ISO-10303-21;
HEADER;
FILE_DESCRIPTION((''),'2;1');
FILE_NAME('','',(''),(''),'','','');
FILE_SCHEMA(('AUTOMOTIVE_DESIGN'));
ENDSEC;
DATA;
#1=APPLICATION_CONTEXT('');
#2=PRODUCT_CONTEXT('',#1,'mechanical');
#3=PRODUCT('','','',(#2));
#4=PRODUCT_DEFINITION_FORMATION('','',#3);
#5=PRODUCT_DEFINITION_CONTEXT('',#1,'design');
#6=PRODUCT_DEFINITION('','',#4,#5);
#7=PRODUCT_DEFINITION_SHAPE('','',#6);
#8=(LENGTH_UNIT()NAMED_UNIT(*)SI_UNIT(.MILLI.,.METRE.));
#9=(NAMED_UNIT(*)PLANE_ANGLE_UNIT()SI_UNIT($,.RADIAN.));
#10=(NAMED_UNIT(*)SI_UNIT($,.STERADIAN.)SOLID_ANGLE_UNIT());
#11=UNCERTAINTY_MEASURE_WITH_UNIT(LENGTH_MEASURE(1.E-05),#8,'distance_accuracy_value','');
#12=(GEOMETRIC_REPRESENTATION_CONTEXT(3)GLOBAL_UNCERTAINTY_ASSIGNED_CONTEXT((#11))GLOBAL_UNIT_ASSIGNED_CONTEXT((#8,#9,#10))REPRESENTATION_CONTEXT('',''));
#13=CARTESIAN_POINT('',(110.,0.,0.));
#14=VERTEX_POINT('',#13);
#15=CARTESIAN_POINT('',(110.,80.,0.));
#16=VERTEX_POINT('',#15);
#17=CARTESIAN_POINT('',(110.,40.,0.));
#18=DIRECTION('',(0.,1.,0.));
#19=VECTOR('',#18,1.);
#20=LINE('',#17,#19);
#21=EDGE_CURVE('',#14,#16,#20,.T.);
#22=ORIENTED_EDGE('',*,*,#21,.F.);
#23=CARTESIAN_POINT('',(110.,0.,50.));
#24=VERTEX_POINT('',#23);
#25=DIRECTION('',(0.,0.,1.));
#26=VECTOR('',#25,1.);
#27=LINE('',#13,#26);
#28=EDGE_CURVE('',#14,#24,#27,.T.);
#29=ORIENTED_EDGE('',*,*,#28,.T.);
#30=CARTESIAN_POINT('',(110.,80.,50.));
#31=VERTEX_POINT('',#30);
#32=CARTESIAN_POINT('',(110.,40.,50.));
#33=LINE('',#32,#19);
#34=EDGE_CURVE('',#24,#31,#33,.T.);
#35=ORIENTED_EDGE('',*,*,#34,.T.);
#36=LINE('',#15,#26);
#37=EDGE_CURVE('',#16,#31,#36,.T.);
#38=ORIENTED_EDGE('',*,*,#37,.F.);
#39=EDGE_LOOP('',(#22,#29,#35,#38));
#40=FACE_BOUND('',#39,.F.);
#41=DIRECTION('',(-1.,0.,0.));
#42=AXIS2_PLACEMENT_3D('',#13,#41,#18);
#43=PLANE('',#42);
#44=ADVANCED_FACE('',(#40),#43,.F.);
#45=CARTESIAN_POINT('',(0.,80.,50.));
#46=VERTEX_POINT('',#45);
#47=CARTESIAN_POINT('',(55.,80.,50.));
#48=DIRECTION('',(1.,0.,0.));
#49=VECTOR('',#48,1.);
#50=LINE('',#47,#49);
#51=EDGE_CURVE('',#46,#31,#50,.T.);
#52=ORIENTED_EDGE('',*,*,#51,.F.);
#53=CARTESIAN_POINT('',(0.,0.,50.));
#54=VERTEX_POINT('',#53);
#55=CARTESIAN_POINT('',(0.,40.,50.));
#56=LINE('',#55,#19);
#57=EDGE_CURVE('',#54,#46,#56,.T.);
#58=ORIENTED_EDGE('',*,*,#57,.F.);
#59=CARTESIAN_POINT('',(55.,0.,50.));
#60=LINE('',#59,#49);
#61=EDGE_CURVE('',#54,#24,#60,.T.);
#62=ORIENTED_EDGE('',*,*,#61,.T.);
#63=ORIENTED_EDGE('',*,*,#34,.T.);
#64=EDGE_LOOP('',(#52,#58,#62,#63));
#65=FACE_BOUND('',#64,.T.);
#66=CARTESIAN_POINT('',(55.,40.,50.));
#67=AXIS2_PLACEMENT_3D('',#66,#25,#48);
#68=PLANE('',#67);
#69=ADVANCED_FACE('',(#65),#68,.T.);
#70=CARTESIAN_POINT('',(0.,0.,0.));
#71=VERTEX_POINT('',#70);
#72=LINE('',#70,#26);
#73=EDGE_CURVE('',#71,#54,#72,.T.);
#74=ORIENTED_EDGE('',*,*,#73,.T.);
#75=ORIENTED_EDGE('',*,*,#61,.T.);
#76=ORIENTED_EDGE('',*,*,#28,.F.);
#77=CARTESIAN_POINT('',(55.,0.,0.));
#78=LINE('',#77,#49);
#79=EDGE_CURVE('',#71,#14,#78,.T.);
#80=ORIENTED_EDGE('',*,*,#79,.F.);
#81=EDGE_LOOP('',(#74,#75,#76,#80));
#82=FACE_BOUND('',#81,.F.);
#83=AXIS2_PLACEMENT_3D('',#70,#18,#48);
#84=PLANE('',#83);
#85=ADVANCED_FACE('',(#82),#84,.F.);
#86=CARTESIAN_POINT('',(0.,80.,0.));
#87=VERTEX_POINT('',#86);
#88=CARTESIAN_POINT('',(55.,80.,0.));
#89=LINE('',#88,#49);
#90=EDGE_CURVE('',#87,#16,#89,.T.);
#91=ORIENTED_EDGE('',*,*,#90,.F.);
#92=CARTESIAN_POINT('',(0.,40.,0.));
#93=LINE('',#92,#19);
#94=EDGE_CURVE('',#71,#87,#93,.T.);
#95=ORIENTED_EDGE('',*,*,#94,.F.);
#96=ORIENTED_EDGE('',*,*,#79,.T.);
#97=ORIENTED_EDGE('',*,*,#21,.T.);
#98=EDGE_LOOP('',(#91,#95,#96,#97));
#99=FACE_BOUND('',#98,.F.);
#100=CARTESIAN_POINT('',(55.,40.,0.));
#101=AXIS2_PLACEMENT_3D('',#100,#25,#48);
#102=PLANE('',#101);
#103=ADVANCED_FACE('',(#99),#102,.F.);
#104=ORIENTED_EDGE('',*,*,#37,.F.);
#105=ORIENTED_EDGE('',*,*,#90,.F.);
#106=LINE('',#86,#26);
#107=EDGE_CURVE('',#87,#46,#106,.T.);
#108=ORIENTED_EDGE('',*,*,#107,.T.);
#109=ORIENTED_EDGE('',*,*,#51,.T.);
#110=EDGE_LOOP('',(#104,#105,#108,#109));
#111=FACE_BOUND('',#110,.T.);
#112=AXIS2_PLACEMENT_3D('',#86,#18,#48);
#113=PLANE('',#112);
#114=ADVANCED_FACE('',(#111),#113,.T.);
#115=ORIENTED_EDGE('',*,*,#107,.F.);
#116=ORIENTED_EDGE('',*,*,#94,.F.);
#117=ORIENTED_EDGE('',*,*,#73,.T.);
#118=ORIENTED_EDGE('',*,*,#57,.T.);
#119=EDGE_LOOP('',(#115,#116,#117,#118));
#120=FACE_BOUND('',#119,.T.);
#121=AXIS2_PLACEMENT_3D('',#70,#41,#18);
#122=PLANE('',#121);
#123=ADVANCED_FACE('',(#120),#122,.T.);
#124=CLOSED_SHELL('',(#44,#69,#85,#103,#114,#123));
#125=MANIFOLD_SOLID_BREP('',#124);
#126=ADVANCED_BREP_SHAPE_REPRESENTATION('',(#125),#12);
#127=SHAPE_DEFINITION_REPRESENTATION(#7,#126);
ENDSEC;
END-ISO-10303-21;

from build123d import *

# Parameters (mm, degrees)
SKETCH_W  = 110
SKETCH_H  = 80
PAD_DEPTH = 50


with BuildPart() as part:
    # Sketch → Pad (new body)
    with BuildSketch(Plane.XY):
        with Locations((55, 40)):
            Rectangle(SKETCH_W, SKETCH_H)
    extrude(amount=PAD_DEPTH)


solid = part.part
